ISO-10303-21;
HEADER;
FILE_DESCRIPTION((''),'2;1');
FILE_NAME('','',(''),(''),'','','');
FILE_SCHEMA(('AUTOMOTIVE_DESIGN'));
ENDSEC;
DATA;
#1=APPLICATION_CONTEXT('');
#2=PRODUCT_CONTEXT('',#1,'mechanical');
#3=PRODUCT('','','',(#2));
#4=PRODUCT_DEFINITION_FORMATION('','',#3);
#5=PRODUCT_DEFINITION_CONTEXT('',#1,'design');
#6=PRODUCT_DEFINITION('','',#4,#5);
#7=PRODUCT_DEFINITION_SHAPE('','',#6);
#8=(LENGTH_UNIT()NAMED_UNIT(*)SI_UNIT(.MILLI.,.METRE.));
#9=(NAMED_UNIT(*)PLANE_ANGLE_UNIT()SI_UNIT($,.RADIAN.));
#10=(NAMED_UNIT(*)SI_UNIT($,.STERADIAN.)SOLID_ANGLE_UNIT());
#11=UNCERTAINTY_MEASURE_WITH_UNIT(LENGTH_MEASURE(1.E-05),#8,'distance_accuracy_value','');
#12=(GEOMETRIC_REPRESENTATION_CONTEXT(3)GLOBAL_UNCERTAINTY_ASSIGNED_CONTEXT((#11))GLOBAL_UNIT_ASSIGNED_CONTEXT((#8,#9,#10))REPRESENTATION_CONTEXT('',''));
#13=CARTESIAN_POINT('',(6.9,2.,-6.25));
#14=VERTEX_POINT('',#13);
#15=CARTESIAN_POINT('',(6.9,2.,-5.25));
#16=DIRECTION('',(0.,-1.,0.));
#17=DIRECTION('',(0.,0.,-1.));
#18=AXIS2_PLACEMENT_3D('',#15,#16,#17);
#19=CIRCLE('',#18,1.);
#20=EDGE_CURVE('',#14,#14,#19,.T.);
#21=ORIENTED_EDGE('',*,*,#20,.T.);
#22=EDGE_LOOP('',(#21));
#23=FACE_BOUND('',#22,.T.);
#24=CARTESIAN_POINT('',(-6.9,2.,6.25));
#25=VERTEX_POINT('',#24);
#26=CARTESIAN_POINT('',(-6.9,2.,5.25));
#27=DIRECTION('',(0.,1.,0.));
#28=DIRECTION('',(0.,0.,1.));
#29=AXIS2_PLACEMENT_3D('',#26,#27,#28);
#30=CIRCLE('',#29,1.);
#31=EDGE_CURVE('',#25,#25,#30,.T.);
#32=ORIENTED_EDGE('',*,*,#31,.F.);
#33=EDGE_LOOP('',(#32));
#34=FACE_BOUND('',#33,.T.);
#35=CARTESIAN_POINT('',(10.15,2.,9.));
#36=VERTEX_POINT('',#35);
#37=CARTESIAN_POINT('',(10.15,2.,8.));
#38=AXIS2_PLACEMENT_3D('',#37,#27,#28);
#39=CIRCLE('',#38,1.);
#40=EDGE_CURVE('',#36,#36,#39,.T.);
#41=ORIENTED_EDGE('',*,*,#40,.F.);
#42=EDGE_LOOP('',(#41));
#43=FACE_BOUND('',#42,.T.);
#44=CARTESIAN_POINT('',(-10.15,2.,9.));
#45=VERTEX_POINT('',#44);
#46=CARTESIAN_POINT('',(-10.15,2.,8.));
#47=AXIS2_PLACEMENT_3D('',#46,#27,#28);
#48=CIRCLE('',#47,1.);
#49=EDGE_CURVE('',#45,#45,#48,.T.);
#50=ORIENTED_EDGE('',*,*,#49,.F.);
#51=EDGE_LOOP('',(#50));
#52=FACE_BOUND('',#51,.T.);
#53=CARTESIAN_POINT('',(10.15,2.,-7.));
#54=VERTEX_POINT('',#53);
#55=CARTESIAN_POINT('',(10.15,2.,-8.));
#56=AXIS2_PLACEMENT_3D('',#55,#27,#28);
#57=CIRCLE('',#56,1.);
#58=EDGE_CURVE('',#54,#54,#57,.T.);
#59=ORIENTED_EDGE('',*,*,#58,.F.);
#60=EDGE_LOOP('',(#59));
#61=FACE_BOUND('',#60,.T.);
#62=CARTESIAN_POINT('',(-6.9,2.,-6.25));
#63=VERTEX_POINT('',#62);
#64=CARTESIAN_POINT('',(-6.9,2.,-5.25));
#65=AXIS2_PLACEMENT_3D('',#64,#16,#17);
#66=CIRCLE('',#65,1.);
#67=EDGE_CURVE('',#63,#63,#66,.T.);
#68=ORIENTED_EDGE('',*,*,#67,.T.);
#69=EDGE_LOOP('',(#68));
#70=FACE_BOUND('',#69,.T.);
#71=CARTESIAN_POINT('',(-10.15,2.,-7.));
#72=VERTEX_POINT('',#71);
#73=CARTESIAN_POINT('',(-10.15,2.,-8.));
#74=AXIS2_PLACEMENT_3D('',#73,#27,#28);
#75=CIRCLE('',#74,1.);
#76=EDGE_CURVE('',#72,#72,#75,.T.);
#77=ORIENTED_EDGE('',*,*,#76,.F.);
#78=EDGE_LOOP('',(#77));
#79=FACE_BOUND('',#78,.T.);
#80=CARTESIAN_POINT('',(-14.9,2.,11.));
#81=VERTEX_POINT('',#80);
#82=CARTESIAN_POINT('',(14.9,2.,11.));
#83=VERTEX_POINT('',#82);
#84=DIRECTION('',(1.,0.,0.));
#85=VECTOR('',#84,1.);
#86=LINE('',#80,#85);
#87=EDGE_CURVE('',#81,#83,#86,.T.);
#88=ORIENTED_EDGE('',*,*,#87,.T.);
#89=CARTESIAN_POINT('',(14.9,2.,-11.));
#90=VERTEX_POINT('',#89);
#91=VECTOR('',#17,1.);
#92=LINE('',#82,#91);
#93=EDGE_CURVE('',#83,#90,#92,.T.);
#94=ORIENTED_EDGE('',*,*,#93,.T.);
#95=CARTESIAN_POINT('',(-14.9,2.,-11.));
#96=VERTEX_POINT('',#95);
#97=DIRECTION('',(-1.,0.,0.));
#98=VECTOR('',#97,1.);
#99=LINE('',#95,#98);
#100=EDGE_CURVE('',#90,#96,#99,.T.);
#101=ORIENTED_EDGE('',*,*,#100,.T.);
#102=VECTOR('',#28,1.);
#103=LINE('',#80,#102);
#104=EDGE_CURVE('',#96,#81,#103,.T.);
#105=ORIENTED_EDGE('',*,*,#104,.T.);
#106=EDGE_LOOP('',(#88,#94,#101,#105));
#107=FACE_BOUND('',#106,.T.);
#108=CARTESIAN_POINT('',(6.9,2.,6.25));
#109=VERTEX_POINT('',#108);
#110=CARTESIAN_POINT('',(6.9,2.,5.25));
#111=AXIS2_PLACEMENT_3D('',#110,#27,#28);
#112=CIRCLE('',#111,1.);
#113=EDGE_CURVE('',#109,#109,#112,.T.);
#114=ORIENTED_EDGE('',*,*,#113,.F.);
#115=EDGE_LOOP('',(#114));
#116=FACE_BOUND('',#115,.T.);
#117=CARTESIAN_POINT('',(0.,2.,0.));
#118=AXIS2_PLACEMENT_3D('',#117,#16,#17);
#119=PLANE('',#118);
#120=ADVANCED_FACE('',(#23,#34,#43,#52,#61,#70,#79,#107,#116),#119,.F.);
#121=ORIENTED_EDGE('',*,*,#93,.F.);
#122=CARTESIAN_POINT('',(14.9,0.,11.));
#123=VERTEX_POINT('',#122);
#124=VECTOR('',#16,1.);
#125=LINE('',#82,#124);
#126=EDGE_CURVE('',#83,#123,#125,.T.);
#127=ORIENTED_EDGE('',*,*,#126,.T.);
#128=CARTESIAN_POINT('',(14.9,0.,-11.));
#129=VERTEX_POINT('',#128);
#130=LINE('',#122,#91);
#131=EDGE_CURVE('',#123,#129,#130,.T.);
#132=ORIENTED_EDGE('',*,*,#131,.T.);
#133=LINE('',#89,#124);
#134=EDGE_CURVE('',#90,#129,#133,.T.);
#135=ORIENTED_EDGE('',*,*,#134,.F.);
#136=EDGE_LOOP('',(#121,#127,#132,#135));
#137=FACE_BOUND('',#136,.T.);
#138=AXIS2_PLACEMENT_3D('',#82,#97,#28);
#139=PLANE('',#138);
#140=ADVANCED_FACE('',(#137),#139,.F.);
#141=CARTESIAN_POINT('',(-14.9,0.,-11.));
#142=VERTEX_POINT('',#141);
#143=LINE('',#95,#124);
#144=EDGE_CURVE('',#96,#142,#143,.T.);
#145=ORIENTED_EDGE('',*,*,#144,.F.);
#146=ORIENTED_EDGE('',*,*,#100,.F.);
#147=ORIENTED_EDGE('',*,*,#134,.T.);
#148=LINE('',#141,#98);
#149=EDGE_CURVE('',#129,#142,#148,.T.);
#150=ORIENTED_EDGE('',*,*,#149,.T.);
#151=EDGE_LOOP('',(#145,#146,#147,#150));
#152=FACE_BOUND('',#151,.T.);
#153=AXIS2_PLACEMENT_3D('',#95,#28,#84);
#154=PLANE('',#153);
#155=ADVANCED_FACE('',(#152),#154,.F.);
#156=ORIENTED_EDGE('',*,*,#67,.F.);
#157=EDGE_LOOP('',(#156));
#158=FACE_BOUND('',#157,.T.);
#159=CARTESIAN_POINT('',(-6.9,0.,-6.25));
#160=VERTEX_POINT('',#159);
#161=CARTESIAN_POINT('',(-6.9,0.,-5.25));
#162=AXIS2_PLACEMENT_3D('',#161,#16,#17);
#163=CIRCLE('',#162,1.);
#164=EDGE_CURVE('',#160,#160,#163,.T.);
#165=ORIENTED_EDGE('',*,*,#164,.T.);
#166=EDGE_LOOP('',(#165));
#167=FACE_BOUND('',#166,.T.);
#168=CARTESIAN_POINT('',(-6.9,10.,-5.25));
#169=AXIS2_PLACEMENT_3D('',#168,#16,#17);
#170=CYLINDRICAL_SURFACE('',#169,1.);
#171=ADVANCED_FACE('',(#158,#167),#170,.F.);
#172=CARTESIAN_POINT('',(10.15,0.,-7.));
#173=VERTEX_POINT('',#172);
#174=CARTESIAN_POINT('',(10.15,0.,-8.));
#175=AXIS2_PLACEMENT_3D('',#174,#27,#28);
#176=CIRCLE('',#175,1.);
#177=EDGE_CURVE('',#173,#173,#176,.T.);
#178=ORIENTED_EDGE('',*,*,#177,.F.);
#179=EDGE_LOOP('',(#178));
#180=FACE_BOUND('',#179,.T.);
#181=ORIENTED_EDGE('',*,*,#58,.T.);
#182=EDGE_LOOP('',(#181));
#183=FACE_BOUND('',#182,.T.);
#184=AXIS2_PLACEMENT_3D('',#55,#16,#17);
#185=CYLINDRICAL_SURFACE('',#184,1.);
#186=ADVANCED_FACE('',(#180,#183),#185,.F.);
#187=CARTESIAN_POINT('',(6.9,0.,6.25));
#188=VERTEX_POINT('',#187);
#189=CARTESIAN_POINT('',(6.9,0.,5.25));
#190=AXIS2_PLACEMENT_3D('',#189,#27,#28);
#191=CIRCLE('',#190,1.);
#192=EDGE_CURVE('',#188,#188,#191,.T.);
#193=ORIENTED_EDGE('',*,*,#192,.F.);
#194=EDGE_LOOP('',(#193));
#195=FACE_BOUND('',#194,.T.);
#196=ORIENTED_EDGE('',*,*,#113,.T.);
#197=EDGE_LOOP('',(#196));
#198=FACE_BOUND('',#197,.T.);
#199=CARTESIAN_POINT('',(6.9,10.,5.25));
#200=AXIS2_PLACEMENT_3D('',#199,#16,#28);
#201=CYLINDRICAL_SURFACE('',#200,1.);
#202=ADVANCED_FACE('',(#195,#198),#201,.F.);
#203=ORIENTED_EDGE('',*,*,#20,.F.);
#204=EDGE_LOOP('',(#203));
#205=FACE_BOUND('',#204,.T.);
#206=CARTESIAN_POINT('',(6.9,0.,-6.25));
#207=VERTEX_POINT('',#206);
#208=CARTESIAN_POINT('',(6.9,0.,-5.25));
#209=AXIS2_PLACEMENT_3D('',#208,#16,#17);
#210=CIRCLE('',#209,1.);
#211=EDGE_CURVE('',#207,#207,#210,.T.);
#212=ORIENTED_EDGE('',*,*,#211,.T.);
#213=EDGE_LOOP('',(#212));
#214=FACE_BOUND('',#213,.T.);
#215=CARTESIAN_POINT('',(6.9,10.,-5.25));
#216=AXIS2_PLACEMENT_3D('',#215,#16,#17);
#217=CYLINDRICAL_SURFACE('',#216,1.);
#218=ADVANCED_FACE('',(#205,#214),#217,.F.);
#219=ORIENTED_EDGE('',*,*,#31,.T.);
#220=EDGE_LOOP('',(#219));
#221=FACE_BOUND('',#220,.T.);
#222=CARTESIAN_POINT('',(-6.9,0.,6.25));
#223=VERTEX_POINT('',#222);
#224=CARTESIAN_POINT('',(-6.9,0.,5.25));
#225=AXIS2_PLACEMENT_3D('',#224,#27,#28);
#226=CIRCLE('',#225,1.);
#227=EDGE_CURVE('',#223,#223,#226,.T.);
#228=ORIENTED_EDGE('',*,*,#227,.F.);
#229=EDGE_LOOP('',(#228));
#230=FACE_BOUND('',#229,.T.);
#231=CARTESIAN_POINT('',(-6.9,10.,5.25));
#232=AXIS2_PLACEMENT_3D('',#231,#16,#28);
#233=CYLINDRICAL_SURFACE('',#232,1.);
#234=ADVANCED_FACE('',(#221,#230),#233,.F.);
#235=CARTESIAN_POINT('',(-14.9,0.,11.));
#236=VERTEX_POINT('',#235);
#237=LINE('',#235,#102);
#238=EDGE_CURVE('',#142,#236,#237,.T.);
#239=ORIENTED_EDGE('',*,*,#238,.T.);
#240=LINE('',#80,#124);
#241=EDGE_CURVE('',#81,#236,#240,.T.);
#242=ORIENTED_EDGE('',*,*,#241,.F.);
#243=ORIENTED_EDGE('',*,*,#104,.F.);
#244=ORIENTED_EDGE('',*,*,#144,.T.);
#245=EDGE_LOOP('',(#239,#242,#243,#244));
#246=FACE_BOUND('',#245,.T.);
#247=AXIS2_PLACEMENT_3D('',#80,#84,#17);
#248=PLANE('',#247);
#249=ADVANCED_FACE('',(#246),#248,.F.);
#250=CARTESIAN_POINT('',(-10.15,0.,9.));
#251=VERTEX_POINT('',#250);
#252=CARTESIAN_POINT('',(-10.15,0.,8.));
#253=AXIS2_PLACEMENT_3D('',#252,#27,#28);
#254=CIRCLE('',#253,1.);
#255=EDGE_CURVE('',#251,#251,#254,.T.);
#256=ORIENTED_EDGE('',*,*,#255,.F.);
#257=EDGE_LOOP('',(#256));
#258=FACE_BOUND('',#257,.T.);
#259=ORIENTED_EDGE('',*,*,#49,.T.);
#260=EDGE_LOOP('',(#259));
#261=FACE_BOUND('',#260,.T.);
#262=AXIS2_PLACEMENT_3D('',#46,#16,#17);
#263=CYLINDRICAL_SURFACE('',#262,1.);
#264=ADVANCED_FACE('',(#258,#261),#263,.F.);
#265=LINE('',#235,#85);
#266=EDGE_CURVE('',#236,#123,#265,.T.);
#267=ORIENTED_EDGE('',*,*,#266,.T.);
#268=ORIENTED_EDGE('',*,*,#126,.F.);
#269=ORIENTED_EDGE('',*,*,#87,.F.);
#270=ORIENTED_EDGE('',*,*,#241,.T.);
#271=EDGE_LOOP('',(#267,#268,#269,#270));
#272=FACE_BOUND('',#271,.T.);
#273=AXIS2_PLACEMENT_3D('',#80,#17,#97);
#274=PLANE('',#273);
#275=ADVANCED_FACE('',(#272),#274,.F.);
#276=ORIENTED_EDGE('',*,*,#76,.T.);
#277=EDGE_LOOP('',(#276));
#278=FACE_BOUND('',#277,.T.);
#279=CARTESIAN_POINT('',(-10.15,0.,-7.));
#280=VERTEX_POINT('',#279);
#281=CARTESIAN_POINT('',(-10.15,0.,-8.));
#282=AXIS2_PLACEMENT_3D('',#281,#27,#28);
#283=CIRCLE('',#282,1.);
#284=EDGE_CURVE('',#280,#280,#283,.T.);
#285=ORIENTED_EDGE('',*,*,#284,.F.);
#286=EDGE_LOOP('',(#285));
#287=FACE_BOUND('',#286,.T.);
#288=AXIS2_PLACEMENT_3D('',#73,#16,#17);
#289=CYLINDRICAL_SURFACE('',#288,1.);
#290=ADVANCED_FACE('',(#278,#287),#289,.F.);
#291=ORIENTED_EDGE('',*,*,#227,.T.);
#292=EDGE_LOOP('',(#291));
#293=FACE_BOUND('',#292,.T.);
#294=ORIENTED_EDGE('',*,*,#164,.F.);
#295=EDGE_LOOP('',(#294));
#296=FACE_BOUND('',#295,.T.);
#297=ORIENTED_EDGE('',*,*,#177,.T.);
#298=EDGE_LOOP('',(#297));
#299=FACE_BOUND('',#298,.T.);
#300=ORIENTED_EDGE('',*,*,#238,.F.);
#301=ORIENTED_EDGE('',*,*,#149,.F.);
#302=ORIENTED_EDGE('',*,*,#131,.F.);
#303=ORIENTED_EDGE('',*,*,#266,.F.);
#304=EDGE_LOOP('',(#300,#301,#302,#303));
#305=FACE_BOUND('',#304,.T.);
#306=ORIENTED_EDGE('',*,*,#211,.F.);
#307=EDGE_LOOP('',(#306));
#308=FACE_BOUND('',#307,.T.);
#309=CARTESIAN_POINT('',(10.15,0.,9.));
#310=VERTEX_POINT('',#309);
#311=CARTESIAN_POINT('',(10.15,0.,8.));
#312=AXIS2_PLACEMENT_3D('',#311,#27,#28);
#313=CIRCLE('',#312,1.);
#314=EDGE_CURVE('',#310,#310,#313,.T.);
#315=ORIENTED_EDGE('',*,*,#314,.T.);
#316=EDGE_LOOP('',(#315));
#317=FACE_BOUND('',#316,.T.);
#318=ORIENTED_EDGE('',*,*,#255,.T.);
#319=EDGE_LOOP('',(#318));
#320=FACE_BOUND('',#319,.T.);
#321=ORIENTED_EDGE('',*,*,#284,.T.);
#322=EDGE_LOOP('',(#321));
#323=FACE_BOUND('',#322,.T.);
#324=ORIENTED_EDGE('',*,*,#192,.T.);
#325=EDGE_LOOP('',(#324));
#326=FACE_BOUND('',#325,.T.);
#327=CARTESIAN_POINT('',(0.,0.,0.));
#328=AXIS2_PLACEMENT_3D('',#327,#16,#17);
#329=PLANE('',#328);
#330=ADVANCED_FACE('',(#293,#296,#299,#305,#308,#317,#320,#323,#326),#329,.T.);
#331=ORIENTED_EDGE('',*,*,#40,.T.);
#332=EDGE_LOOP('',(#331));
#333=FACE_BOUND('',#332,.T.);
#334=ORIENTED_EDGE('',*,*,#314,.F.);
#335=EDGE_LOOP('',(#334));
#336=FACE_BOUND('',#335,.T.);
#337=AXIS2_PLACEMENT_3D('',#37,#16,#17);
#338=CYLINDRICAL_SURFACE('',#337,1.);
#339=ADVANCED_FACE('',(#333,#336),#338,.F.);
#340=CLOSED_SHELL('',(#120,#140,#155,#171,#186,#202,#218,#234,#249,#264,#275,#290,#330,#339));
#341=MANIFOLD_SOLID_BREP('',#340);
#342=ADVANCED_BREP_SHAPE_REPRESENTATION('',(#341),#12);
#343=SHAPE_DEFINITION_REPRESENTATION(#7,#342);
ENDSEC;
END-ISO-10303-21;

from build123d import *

# Parameters (mm, degrees)
SKETCH1_W           = 29.8
SKETCH1_H           = 22
SKETCH1_R           = 1
BOSS_EXTRUDE1_DEPTH = 2
SKETCH2_R           = 1
CUT_EXTRUDE1_DEPTH  = 10


with BuildPart() as part:
    # Sketch1 → Boss-Extrude1 (new body)
    with BuildSketch(Plane(origin=(0, 0, 0), x_dir=(1, 0, 0), z_dir=(0, 1, 0))):
        Rectangle(SKETCH1_W, SKETCH1_H)
        with Locations((10.15, 8)):
            Circle(SKETCH1_R, mode=Mode.SUBTRACT)
        with Locations((10.15, -8)):
            Circle(SKETCH1_R, mode=Mode.SUBTRACT)
        with Locations((-10.15, -8)):
            Circle(SKETCH1_R, mode=Mode.SUBTRACT)
        with Locations((-10.15, 8)):
            Circle(SKETCH1_R, mode=Mode.SUBTRACT)
    extrude(amount=BOSS_EXTRUDE1_DEPTH)

    # Sketch2 → Cut-Extrude1 (cut)
    with BuildSketch(Plane.XZ):
        with Locations((6.9, -5.25)):
            Circle(SKETCH2_R)
        with Locations((-6.9, -5.25)):
            Circle(SKETCH2_R)
    cut_extrude1 = extrude(amount=-CUT_EXTRUDE1_DEPTH, mode=Mode.SUBTRACT)

    # Mirror1: Cut-Extrude1 across plane
    add(cut_extrude1.mirror(Plane(origin=(0, 0, 0), x_dir=(1, 0, 0), z_dir=(0, 0, -1))), mode=Mode.SUBTRACT)


solid = part.part
